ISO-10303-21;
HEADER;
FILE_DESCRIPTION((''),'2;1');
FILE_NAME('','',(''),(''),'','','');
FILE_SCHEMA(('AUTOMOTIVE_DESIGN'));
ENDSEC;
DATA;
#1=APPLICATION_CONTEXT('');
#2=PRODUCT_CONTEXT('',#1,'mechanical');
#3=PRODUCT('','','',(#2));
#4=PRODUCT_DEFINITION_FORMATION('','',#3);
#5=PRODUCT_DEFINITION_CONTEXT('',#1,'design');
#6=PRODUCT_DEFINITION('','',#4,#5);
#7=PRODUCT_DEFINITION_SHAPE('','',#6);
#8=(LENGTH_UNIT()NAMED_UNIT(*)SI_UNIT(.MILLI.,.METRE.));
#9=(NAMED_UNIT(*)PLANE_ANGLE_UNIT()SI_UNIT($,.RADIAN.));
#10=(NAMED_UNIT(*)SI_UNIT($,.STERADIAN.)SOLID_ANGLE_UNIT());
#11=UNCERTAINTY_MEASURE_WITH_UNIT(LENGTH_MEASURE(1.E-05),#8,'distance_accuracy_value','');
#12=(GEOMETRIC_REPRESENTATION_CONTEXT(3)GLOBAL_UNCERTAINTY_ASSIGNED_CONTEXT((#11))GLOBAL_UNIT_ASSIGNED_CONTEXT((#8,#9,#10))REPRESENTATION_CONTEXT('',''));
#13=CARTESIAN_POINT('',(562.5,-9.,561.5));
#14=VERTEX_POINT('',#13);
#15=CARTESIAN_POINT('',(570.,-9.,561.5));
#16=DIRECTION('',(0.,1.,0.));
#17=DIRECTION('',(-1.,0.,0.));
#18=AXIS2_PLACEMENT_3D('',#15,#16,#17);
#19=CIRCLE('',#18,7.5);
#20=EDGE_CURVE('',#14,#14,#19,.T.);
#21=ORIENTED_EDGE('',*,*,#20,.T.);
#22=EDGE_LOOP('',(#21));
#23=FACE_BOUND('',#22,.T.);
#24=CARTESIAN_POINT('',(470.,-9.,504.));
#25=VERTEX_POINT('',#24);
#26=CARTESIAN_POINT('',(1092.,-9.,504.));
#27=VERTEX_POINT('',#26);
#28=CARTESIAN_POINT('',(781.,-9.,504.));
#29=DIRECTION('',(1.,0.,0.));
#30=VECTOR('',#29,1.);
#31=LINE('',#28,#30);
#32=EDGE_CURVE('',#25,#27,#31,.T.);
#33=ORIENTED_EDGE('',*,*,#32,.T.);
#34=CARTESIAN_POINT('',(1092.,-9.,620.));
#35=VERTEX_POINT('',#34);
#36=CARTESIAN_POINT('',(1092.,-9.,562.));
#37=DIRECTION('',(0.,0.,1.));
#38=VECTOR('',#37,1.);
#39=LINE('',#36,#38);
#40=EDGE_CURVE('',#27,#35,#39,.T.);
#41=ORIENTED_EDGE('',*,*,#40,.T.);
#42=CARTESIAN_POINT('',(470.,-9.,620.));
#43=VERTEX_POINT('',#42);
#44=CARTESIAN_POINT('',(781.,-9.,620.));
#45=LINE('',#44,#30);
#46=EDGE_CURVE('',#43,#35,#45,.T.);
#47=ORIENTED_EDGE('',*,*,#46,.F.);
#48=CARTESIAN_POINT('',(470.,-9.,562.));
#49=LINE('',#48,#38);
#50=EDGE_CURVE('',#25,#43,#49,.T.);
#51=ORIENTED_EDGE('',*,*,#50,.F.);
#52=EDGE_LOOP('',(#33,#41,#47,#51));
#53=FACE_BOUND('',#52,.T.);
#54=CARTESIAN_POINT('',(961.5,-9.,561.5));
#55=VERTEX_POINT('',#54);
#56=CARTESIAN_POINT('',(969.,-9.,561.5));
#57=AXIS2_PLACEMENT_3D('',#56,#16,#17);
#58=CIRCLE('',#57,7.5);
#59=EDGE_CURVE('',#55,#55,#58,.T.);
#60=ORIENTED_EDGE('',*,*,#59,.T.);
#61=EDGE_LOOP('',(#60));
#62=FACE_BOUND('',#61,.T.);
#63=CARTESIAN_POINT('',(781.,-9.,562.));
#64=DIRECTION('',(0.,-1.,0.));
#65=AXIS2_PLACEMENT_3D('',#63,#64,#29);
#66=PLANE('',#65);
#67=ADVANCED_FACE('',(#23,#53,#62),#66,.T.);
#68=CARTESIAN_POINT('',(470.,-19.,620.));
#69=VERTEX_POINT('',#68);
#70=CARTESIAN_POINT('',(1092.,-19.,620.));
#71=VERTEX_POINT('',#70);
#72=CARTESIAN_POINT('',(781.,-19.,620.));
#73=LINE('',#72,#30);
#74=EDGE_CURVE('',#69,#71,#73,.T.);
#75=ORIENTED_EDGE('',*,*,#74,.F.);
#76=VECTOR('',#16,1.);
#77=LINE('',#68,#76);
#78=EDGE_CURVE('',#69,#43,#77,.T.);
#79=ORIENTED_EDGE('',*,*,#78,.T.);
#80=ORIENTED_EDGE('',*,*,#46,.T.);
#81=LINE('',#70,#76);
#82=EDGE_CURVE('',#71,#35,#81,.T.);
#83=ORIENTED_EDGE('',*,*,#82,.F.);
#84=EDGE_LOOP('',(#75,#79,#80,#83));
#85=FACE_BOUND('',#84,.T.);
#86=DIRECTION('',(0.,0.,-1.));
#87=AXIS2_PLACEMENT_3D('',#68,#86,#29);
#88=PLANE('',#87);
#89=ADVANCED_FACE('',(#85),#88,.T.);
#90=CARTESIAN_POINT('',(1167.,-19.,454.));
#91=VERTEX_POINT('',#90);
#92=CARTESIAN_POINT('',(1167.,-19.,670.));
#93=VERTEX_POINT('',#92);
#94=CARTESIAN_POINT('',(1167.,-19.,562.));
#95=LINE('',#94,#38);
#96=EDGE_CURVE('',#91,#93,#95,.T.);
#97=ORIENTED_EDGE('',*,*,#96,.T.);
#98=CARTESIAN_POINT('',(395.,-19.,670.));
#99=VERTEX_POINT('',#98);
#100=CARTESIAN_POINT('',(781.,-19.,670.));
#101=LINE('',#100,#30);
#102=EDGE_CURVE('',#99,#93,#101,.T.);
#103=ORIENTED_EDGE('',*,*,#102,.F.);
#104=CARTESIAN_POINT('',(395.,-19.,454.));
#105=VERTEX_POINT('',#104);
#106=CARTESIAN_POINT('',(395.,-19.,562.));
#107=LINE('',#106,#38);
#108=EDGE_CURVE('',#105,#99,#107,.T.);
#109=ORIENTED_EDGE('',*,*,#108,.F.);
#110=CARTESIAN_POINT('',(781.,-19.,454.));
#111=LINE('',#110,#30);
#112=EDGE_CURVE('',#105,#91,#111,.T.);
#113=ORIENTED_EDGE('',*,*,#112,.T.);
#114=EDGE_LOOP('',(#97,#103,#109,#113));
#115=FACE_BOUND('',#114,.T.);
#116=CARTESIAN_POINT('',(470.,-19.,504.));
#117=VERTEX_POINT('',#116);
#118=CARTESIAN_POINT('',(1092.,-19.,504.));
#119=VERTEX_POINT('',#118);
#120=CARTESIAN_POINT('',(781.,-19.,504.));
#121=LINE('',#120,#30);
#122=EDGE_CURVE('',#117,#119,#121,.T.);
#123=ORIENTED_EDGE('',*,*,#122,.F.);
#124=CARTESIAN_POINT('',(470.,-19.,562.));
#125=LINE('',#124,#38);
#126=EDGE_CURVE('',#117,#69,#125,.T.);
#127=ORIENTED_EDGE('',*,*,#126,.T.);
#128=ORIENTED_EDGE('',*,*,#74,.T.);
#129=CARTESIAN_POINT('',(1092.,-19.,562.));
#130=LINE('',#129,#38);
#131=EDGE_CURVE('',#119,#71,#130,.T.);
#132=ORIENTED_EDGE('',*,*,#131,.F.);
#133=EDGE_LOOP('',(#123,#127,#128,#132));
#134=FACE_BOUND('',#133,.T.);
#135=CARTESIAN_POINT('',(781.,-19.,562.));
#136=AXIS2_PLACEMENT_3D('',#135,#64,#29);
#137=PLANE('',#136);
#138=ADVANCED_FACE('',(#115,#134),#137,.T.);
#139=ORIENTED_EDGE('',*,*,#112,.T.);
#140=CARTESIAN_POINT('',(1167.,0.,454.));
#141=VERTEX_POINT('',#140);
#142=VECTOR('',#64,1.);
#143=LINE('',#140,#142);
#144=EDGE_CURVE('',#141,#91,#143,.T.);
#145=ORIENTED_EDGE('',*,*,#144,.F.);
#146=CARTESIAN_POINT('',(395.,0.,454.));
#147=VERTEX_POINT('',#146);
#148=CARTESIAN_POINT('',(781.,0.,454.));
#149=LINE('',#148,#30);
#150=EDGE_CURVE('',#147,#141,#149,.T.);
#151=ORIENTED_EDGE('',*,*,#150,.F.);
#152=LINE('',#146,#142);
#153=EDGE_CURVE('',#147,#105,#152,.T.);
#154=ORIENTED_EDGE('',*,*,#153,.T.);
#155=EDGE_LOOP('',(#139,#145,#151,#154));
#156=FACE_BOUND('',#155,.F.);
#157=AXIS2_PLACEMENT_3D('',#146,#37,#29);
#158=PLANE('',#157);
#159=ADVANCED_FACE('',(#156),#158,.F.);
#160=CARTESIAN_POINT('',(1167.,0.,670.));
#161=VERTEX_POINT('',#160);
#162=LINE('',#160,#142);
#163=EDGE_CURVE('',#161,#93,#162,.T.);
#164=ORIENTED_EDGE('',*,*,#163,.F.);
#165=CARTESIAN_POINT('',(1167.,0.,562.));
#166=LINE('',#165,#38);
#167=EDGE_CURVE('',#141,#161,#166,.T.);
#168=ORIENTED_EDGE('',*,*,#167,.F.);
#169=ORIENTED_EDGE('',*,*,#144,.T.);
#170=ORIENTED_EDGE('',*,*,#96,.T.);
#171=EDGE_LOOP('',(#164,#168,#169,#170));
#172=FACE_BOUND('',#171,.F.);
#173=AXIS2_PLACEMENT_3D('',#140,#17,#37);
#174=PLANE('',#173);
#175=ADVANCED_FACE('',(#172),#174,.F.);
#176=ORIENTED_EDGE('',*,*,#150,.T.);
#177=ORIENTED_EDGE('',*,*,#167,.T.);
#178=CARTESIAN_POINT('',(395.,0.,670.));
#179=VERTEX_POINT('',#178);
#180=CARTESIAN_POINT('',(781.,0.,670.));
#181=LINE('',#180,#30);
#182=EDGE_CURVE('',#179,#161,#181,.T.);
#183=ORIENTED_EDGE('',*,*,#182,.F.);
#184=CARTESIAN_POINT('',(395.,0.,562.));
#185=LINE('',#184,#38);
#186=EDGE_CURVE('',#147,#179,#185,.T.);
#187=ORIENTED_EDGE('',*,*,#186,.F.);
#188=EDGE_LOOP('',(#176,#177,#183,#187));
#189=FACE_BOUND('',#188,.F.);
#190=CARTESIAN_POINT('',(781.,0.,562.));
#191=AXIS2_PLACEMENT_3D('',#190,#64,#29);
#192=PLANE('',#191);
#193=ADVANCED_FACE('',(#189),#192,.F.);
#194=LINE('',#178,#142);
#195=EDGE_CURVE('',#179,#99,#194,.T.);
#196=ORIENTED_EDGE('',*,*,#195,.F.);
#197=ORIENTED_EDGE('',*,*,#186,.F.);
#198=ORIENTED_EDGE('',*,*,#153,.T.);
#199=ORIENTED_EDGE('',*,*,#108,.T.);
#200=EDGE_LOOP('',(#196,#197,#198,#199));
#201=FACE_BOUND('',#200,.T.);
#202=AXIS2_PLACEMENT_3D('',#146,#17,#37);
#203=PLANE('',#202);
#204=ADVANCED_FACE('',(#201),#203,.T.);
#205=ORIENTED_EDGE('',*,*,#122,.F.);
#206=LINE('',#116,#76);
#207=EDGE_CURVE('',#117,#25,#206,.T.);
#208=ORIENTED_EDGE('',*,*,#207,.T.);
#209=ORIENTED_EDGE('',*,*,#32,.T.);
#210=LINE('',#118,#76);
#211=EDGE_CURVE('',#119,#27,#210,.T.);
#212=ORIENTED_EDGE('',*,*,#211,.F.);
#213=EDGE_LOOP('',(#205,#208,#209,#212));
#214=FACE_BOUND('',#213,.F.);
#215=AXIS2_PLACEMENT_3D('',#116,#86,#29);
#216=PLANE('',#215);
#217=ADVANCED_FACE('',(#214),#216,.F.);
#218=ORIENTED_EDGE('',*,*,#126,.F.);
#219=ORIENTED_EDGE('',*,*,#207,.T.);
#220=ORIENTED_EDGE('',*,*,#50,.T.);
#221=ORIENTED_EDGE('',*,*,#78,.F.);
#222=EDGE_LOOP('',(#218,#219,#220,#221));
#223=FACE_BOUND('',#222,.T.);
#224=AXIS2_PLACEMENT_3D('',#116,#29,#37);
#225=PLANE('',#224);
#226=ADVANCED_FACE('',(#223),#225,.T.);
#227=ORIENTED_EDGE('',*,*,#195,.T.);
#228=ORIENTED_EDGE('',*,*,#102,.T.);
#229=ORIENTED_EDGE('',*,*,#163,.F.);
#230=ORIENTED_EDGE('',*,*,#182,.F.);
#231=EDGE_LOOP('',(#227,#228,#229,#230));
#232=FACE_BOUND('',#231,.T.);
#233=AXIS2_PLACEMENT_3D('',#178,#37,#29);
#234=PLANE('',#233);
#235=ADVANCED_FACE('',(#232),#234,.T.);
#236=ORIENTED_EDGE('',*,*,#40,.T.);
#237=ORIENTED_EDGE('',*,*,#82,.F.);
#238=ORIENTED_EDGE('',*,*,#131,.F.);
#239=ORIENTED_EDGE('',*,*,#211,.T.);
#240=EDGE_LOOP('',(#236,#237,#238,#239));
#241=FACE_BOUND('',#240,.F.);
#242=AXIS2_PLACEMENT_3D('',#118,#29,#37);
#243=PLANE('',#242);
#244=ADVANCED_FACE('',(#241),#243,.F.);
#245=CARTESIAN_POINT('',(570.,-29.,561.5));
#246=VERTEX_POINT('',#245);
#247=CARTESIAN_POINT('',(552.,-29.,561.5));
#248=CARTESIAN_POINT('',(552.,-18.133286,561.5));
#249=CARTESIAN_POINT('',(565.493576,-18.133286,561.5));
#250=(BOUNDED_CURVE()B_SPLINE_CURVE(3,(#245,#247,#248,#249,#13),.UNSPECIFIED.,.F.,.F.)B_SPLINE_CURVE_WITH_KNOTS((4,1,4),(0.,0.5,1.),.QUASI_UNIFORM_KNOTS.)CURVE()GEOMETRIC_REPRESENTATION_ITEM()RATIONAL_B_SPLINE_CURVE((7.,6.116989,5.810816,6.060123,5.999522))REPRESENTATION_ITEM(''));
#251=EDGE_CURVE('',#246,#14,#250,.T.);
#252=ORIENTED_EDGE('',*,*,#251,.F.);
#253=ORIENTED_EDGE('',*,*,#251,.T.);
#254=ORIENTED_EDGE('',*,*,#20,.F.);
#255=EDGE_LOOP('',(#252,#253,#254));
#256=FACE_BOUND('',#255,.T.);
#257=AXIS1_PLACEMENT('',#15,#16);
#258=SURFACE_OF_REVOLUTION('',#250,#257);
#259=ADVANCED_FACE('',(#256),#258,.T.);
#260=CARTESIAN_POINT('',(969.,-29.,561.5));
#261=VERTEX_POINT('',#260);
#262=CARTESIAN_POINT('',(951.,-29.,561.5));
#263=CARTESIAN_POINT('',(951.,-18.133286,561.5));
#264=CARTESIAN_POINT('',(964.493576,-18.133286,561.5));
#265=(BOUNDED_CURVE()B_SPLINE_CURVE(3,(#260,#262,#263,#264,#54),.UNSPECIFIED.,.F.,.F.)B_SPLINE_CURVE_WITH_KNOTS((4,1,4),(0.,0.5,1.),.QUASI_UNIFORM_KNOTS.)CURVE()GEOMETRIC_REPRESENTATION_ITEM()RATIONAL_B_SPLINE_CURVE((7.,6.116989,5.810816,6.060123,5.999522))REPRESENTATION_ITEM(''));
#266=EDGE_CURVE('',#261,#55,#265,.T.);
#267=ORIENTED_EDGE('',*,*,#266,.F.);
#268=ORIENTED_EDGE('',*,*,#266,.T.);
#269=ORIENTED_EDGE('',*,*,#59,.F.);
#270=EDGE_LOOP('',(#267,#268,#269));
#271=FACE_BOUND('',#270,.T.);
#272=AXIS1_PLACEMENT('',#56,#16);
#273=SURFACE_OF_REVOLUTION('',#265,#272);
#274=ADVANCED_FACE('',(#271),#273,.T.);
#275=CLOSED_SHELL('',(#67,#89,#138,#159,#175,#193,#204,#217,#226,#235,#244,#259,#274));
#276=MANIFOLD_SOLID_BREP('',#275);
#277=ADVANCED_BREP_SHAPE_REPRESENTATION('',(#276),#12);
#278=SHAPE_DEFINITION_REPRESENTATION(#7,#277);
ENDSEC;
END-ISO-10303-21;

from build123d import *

# Parameters (mm, degrees)
CLONE2D004_W    = 772
CLONE2D004_H    = 216
PAD012_DEPTH    = 19
SKETCH029_W     = 622
SKETCH029_H     = 116
POCKET012_DEPTH = 10


with BuildPart() as part:
    # Clone2D004 → Pad012 (new body)
    with BuildSketch(Plane.XZ):
        with Locations((386, 108)):
            Rectangle(CLONE2D004_W, CLONE2D004_H)
    extrude(amount=PAD012_DEPTH)

    # Sketch029 (on Face6 of Pad012) → Pocket012 (cut)
    with BuildSketch(Plane.XZ.offset(19)):
        with Locations((386, 108)):
            Rectangle(SKETCH029_W, SKETCH029_H)
    extrude(amount=-POCKET012_DEPTH, mode=Mode.SUBTRACT)

    # Clone2D005 → Revolution002 (revolve)
    with BuildSketch(Plane(origin=(175, -9, 107.5), x_dir=(1, 0, 0), z_dir=(0, 0, 1))):
        with BuildLine():
            Line((0, 0), (0, -20))
            add(Edge.make_bspline(
                [(0, -20), (-18, -20), (-18, -9.133286), (-4.506424, -9.133286), (-7.5, 0)],
                knots=[0, 0, 0, 0, 0.5, 1, 1, 1, 1], degree=3, weights=[7, 6.116989, 5.810816, 6.060123, 5.999522]))
            Line((-7.5, 0), (0, 0))
        make_face()
    revolve(axis=Axis((175, -9, 107.5), (0, 1, 0)))

    # Clone2D006 → Revolution003 (revolve)
    with BuildSketch(Plane(origin=(574, -9, 107.5), x_dir=(1, 0, 0), z_dir=(0, 0, 1))):
        with BuildLine():
            Line((0, 0), (0, -20))
            add(Edge.make_bspline(
                [(0, -20), (-18, -20), (-18, -9.133286), (-4.506424, -9.133286), (-7.5, 0)],
                knots=[0, 0, 0, 0, 0.5, 1, 1, 1, 1], degree=3, weights=[7, 6.116989, 5.810816, 6.060123, 5.999522]))
            Line((-7.5, 0), (0, 0))
        make_face()
    revolve(axis=Axis((574, -9, 107.5), (0, 1, 0)))


with BuildPart() as part_1:
    # Body012 placement: moved
    add(part.part.moved(Location((394, 0, 10))))


with BuildPart() as part_2:
    # Clone placement: moved
    add(part_1.part.moved(Location((-393, 0, -10))))


with BuildPart() as part_3:
    # Body013 placement: moved
    add(part_2.part.moved(Location((394, 0, 454))))


solid = part_3.part
